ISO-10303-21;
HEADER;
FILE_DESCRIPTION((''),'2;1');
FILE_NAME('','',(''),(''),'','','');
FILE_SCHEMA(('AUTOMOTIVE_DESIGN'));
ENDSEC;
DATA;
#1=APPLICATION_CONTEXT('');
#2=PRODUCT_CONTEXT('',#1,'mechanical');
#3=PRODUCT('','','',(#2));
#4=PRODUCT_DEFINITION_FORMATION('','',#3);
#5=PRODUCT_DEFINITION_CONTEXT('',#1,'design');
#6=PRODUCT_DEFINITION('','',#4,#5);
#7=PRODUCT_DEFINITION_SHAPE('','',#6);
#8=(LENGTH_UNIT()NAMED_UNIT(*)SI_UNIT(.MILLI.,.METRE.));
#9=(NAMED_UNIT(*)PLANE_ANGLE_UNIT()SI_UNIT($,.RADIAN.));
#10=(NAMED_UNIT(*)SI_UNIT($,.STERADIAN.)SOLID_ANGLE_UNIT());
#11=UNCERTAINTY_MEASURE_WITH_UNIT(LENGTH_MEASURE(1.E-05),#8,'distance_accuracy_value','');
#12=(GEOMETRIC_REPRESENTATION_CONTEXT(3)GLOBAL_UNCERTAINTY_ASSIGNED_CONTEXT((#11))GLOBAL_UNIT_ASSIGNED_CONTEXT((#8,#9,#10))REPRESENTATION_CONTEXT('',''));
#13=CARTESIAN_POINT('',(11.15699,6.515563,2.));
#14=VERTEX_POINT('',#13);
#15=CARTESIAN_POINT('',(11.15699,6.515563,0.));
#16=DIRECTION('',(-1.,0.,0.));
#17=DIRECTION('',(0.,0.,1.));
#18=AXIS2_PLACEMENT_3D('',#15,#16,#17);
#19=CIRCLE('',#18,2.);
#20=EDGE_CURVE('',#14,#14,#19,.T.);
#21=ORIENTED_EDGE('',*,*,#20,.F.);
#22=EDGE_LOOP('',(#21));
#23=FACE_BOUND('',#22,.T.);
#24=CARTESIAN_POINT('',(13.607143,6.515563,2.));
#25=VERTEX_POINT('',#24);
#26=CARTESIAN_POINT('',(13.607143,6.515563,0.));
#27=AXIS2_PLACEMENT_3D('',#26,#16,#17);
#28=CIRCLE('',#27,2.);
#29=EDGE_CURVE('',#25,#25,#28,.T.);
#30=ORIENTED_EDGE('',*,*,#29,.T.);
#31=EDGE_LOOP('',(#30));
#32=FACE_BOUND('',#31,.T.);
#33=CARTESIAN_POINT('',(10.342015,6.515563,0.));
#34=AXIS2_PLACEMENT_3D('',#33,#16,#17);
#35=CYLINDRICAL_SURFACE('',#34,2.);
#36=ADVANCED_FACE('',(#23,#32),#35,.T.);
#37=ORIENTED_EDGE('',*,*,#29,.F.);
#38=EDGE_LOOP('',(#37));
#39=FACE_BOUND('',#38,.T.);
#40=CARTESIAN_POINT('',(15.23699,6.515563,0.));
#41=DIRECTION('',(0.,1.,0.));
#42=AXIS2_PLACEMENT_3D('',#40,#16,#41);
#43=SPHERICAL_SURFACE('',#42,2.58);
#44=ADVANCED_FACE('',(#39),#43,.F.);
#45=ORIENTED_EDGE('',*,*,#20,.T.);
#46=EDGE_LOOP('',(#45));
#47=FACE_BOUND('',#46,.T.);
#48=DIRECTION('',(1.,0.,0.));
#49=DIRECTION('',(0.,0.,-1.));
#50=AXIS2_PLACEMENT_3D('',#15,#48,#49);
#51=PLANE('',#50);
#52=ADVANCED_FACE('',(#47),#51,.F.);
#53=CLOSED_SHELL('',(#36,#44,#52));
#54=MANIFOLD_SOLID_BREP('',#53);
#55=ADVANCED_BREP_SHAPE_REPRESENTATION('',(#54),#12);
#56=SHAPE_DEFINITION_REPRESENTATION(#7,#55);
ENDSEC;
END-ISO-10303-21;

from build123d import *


with BuildPart() as part:
    # 草图1 → 旋转1 (revolve)
    with BuildSketch(Plane.XY):
        with BuildLine():
            Line((11.156989876, 6.515563046), (11.156989876, 8.515563046))
            Line((11.156989876, 8.515563046), (13.607143257, 8.515563046))
            ThreePointArc((13.607143257, 8.515563046), (12.906603183, 7.622675444), (12.656989876, 6.515563046))
            Line((12.656989876, 6.515563046), (11.156989876, 6.515563046))
        make_face()
    revolve(axis=Axis((10.342015318, 6.515563046, 0), (1, 0, 0)))


solid = part.part
